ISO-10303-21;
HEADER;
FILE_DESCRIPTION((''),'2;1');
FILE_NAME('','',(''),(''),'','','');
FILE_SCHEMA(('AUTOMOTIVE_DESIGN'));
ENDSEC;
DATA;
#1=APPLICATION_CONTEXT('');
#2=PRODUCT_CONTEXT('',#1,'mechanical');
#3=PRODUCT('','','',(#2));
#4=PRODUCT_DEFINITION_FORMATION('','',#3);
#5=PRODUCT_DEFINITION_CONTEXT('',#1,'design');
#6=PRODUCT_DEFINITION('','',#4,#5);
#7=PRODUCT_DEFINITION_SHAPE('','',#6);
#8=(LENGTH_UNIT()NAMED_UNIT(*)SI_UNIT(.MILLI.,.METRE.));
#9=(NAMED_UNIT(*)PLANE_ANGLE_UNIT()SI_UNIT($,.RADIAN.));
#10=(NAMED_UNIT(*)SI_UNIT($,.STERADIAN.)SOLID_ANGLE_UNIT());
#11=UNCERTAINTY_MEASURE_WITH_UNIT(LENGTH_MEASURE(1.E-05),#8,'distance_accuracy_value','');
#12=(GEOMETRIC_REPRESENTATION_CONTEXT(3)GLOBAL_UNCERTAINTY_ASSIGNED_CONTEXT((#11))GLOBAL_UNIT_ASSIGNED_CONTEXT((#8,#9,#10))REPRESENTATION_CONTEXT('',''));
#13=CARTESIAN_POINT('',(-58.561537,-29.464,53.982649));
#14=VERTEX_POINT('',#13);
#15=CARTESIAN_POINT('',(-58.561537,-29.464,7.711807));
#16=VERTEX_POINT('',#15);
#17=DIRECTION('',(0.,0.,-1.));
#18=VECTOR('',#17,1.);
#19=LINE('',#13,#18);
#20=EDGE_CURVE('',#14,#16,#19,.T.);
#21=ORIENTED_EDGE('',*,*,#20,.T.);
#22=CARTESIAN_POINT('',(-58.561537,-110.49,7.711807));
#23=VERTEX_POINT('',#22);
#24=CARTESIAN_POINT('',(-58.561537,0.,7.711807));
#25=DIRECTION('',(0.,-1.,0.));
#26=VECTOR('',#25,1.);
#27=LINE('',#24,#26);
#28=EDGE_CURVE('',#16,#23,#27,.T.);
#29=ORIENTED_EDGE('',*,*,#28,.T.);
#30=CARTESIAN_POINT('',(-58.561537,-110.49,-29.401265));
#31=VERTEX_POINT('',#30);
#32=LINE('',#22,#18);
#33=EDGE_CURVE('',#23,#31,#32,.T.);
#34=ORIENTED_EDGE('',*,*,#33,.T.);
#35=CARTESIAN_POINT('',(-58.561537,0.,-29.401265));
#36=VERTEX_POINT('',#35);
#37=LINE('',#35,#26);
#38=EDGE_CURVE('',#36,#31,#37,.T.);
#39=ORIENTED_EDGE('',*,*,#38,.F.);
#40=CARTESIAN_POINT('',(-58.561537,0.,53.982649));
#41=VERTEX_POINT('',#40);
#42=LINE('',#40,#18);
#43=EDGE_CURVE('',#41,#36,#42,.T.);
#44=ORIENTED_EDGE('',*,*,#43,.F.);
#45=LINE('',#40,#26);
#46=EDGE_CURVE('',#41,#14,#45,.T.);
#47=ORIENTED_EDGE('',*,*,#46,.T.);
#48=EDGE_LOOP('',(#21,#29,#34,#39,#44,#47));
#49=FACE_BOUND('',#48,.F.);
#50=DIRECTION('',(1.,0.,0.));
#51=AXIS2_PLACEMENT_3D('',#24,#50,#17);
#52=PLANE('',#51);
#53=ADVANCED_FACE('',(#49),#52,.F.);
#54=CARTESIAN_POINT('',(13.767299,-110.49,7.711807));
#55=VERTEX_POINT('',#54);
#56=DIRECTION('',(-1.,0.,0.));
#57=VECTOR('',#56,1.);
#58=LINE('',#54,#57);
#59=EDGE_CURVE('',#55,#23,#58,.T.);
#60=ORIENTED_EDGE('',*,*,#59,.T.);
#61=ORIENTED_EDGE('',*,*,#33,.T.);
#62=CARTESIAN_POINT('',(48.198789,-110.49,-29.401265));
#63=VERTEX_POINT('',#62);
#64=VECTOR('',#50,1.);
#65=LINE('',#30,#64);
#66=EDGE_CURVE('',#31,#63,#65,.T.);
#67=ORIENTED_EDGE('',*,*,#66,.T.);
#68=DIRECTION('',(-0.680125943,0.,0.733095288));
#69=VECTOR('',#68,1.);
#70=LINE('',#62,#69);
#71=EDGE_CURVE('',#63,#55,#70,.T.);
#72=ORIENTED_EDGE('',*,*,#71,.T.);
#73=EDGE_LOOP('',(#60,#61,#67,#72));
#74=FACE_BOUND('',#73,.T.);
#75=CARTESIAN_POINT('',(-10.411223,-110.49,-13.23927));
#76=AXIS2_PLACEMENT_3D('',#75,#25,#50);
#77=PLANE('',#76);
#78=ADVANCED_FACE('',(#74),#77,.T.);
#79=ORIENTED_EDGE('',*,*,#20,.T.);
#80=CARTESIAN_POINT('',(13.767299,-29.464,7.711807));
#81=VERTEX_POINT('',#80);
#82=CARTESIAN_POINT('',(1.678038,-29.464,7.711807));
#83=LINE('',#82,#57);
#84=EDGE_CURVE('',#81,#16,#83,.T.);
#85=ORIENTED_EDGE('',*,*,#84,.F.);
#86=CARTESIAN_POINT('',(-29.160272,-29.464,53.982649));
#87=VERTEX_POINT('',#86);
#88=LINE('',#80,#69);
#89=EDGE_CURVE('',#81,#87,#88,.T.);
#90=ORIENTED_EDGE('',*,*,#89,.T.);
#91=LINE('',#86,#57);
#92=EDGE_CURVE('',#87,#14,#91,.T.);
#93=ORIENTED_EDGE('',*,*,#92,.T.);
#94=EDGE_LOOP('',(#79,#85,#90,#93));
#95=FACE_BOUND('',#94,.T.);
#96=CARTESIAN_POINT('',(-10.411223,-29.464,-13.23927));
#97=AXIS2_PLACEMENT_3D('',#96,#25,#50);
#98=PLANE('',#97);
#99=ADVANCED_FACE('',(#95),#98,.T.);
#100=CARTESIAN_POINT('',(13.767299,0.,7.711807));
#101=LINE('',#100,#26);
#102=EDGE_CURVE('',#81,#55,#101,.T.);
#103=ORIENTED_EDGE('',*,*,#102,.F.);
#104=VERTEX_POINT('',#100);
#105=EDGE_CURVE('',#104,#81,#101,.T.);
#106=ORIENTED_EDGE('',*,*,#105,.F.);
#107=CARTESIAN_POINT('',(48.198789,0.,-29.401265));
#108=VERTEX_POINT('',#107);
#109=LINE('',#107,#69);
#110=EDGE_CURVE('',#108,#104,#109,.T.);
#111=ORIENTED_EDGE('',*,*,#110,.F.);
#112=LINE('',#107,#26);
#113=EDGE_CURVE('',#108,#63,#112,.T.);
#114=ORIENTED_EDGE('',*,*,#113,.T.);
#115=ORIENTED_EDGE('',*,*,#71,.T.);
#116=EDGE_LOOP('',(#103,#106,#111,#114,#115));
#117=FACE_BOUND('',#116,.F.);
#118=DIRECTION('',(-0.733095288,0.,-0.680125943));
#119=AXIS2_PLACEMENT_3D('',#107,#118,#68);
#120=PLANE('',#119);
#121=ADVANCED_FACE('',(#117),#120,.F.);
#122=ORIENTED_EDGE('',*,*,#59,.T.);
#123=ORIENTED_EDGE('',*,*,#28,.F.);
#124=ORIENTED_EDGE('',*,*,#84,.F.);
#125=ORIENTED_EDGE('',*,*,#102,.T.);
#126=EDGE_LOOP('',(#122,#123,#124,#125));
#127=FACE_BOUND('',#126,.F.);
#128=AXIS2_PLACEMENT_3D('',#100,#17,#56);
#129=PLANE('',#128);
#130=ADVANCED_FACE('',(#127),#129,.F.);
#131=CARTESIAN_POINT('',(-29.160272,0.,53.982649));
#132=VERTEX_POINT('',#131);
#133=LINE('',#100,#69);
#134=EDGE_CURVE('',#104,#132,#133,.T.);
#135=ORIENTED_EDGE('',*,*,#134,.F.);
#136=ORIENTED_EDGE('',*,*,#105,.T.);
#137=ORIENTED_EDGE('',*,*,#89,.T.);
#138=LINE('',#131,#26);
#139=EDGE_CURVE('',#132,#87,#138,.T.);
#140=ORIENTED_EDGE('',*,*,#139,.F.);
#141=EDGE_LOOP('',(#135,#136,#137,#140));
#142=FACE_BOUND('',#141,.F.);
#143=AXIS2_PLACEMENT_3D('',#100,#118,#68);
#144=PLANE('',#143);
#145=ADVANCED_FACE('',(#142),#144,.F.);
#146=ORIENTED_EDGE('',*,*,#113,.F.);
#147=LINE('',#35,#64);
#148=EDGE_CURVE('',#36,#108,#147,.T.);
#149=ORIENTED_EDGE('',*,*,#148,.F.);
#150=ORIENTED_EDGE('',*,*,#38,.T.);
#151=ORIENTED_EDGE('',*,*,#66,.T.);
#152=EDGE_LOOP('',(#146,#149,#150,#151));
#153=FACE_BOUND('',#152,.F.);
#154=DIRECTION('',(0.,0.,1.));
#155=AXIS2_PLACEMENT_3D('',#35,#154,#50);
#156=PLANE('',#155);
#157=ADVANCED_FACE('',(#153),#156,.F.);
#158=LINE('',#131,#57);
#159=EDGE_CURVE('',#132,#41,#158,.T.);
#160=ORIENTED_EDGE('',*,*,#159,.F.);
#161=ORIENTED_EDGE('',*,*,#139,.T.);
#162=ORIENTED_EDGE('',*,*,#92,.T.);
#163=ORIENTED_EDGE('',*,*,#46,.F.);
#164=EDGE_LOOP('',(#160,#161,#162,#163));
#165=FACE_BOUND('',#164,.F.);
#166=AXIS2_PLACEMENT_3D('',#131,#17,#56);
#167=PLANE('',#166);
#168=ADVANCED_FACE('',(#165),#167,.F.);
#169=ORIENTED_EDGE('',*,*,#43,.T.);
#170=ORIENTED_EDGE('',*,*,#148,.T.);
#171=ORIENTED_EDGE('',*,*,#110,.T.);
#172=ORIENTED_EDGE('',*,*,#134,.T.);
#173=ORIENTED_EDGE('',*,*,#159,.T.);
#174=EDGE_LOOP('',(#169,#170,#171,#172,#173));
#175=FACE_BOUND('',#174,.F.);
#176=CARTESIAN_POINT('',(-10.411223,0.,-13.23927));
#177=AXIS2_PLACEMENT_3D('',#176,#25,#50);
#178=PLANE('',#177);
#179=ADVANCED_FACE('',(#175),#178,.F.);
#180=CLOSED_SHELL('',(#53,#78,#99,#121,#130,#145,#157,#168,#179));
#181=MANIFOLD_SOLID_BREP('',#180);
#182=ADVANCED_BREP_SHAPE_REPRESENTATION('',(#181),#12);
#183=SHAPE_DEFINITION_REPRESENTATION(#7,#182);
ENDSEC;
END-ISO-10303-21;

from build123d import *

# Parameters (mm, degrees)
F1_DEPTH = 110.49
F2_DEPTH = 29.464


with BuildPart() as f1:
    # F0 (on Front) → F1 (new body)
    with BuildSketch(Plane.XZ):
        Polygon((-58.561537, 7.711807), (-58.561537, -29.401265), (48.198789, -29.401265), (13.767299, 7.711807), align=None)
    extrude(amount=F1_DEPTH)

    # F0 (on Front) → F2 (join)
    with BuildSketch(Plane.XZ):
        Polygon((-58.561537, 7.711807), (-58.561537, -29.401265), (48.198789, -29.401265), (13.767299, 7.711807), align=None)
        Polygon((-58.561537, 53.982649), (-58.561537, 7.711807), (13.767299, 7.711807), (-29.160272, 53.982649), align=None)
    extrude(amount=F2_DEPTH)


solid = f1.part
